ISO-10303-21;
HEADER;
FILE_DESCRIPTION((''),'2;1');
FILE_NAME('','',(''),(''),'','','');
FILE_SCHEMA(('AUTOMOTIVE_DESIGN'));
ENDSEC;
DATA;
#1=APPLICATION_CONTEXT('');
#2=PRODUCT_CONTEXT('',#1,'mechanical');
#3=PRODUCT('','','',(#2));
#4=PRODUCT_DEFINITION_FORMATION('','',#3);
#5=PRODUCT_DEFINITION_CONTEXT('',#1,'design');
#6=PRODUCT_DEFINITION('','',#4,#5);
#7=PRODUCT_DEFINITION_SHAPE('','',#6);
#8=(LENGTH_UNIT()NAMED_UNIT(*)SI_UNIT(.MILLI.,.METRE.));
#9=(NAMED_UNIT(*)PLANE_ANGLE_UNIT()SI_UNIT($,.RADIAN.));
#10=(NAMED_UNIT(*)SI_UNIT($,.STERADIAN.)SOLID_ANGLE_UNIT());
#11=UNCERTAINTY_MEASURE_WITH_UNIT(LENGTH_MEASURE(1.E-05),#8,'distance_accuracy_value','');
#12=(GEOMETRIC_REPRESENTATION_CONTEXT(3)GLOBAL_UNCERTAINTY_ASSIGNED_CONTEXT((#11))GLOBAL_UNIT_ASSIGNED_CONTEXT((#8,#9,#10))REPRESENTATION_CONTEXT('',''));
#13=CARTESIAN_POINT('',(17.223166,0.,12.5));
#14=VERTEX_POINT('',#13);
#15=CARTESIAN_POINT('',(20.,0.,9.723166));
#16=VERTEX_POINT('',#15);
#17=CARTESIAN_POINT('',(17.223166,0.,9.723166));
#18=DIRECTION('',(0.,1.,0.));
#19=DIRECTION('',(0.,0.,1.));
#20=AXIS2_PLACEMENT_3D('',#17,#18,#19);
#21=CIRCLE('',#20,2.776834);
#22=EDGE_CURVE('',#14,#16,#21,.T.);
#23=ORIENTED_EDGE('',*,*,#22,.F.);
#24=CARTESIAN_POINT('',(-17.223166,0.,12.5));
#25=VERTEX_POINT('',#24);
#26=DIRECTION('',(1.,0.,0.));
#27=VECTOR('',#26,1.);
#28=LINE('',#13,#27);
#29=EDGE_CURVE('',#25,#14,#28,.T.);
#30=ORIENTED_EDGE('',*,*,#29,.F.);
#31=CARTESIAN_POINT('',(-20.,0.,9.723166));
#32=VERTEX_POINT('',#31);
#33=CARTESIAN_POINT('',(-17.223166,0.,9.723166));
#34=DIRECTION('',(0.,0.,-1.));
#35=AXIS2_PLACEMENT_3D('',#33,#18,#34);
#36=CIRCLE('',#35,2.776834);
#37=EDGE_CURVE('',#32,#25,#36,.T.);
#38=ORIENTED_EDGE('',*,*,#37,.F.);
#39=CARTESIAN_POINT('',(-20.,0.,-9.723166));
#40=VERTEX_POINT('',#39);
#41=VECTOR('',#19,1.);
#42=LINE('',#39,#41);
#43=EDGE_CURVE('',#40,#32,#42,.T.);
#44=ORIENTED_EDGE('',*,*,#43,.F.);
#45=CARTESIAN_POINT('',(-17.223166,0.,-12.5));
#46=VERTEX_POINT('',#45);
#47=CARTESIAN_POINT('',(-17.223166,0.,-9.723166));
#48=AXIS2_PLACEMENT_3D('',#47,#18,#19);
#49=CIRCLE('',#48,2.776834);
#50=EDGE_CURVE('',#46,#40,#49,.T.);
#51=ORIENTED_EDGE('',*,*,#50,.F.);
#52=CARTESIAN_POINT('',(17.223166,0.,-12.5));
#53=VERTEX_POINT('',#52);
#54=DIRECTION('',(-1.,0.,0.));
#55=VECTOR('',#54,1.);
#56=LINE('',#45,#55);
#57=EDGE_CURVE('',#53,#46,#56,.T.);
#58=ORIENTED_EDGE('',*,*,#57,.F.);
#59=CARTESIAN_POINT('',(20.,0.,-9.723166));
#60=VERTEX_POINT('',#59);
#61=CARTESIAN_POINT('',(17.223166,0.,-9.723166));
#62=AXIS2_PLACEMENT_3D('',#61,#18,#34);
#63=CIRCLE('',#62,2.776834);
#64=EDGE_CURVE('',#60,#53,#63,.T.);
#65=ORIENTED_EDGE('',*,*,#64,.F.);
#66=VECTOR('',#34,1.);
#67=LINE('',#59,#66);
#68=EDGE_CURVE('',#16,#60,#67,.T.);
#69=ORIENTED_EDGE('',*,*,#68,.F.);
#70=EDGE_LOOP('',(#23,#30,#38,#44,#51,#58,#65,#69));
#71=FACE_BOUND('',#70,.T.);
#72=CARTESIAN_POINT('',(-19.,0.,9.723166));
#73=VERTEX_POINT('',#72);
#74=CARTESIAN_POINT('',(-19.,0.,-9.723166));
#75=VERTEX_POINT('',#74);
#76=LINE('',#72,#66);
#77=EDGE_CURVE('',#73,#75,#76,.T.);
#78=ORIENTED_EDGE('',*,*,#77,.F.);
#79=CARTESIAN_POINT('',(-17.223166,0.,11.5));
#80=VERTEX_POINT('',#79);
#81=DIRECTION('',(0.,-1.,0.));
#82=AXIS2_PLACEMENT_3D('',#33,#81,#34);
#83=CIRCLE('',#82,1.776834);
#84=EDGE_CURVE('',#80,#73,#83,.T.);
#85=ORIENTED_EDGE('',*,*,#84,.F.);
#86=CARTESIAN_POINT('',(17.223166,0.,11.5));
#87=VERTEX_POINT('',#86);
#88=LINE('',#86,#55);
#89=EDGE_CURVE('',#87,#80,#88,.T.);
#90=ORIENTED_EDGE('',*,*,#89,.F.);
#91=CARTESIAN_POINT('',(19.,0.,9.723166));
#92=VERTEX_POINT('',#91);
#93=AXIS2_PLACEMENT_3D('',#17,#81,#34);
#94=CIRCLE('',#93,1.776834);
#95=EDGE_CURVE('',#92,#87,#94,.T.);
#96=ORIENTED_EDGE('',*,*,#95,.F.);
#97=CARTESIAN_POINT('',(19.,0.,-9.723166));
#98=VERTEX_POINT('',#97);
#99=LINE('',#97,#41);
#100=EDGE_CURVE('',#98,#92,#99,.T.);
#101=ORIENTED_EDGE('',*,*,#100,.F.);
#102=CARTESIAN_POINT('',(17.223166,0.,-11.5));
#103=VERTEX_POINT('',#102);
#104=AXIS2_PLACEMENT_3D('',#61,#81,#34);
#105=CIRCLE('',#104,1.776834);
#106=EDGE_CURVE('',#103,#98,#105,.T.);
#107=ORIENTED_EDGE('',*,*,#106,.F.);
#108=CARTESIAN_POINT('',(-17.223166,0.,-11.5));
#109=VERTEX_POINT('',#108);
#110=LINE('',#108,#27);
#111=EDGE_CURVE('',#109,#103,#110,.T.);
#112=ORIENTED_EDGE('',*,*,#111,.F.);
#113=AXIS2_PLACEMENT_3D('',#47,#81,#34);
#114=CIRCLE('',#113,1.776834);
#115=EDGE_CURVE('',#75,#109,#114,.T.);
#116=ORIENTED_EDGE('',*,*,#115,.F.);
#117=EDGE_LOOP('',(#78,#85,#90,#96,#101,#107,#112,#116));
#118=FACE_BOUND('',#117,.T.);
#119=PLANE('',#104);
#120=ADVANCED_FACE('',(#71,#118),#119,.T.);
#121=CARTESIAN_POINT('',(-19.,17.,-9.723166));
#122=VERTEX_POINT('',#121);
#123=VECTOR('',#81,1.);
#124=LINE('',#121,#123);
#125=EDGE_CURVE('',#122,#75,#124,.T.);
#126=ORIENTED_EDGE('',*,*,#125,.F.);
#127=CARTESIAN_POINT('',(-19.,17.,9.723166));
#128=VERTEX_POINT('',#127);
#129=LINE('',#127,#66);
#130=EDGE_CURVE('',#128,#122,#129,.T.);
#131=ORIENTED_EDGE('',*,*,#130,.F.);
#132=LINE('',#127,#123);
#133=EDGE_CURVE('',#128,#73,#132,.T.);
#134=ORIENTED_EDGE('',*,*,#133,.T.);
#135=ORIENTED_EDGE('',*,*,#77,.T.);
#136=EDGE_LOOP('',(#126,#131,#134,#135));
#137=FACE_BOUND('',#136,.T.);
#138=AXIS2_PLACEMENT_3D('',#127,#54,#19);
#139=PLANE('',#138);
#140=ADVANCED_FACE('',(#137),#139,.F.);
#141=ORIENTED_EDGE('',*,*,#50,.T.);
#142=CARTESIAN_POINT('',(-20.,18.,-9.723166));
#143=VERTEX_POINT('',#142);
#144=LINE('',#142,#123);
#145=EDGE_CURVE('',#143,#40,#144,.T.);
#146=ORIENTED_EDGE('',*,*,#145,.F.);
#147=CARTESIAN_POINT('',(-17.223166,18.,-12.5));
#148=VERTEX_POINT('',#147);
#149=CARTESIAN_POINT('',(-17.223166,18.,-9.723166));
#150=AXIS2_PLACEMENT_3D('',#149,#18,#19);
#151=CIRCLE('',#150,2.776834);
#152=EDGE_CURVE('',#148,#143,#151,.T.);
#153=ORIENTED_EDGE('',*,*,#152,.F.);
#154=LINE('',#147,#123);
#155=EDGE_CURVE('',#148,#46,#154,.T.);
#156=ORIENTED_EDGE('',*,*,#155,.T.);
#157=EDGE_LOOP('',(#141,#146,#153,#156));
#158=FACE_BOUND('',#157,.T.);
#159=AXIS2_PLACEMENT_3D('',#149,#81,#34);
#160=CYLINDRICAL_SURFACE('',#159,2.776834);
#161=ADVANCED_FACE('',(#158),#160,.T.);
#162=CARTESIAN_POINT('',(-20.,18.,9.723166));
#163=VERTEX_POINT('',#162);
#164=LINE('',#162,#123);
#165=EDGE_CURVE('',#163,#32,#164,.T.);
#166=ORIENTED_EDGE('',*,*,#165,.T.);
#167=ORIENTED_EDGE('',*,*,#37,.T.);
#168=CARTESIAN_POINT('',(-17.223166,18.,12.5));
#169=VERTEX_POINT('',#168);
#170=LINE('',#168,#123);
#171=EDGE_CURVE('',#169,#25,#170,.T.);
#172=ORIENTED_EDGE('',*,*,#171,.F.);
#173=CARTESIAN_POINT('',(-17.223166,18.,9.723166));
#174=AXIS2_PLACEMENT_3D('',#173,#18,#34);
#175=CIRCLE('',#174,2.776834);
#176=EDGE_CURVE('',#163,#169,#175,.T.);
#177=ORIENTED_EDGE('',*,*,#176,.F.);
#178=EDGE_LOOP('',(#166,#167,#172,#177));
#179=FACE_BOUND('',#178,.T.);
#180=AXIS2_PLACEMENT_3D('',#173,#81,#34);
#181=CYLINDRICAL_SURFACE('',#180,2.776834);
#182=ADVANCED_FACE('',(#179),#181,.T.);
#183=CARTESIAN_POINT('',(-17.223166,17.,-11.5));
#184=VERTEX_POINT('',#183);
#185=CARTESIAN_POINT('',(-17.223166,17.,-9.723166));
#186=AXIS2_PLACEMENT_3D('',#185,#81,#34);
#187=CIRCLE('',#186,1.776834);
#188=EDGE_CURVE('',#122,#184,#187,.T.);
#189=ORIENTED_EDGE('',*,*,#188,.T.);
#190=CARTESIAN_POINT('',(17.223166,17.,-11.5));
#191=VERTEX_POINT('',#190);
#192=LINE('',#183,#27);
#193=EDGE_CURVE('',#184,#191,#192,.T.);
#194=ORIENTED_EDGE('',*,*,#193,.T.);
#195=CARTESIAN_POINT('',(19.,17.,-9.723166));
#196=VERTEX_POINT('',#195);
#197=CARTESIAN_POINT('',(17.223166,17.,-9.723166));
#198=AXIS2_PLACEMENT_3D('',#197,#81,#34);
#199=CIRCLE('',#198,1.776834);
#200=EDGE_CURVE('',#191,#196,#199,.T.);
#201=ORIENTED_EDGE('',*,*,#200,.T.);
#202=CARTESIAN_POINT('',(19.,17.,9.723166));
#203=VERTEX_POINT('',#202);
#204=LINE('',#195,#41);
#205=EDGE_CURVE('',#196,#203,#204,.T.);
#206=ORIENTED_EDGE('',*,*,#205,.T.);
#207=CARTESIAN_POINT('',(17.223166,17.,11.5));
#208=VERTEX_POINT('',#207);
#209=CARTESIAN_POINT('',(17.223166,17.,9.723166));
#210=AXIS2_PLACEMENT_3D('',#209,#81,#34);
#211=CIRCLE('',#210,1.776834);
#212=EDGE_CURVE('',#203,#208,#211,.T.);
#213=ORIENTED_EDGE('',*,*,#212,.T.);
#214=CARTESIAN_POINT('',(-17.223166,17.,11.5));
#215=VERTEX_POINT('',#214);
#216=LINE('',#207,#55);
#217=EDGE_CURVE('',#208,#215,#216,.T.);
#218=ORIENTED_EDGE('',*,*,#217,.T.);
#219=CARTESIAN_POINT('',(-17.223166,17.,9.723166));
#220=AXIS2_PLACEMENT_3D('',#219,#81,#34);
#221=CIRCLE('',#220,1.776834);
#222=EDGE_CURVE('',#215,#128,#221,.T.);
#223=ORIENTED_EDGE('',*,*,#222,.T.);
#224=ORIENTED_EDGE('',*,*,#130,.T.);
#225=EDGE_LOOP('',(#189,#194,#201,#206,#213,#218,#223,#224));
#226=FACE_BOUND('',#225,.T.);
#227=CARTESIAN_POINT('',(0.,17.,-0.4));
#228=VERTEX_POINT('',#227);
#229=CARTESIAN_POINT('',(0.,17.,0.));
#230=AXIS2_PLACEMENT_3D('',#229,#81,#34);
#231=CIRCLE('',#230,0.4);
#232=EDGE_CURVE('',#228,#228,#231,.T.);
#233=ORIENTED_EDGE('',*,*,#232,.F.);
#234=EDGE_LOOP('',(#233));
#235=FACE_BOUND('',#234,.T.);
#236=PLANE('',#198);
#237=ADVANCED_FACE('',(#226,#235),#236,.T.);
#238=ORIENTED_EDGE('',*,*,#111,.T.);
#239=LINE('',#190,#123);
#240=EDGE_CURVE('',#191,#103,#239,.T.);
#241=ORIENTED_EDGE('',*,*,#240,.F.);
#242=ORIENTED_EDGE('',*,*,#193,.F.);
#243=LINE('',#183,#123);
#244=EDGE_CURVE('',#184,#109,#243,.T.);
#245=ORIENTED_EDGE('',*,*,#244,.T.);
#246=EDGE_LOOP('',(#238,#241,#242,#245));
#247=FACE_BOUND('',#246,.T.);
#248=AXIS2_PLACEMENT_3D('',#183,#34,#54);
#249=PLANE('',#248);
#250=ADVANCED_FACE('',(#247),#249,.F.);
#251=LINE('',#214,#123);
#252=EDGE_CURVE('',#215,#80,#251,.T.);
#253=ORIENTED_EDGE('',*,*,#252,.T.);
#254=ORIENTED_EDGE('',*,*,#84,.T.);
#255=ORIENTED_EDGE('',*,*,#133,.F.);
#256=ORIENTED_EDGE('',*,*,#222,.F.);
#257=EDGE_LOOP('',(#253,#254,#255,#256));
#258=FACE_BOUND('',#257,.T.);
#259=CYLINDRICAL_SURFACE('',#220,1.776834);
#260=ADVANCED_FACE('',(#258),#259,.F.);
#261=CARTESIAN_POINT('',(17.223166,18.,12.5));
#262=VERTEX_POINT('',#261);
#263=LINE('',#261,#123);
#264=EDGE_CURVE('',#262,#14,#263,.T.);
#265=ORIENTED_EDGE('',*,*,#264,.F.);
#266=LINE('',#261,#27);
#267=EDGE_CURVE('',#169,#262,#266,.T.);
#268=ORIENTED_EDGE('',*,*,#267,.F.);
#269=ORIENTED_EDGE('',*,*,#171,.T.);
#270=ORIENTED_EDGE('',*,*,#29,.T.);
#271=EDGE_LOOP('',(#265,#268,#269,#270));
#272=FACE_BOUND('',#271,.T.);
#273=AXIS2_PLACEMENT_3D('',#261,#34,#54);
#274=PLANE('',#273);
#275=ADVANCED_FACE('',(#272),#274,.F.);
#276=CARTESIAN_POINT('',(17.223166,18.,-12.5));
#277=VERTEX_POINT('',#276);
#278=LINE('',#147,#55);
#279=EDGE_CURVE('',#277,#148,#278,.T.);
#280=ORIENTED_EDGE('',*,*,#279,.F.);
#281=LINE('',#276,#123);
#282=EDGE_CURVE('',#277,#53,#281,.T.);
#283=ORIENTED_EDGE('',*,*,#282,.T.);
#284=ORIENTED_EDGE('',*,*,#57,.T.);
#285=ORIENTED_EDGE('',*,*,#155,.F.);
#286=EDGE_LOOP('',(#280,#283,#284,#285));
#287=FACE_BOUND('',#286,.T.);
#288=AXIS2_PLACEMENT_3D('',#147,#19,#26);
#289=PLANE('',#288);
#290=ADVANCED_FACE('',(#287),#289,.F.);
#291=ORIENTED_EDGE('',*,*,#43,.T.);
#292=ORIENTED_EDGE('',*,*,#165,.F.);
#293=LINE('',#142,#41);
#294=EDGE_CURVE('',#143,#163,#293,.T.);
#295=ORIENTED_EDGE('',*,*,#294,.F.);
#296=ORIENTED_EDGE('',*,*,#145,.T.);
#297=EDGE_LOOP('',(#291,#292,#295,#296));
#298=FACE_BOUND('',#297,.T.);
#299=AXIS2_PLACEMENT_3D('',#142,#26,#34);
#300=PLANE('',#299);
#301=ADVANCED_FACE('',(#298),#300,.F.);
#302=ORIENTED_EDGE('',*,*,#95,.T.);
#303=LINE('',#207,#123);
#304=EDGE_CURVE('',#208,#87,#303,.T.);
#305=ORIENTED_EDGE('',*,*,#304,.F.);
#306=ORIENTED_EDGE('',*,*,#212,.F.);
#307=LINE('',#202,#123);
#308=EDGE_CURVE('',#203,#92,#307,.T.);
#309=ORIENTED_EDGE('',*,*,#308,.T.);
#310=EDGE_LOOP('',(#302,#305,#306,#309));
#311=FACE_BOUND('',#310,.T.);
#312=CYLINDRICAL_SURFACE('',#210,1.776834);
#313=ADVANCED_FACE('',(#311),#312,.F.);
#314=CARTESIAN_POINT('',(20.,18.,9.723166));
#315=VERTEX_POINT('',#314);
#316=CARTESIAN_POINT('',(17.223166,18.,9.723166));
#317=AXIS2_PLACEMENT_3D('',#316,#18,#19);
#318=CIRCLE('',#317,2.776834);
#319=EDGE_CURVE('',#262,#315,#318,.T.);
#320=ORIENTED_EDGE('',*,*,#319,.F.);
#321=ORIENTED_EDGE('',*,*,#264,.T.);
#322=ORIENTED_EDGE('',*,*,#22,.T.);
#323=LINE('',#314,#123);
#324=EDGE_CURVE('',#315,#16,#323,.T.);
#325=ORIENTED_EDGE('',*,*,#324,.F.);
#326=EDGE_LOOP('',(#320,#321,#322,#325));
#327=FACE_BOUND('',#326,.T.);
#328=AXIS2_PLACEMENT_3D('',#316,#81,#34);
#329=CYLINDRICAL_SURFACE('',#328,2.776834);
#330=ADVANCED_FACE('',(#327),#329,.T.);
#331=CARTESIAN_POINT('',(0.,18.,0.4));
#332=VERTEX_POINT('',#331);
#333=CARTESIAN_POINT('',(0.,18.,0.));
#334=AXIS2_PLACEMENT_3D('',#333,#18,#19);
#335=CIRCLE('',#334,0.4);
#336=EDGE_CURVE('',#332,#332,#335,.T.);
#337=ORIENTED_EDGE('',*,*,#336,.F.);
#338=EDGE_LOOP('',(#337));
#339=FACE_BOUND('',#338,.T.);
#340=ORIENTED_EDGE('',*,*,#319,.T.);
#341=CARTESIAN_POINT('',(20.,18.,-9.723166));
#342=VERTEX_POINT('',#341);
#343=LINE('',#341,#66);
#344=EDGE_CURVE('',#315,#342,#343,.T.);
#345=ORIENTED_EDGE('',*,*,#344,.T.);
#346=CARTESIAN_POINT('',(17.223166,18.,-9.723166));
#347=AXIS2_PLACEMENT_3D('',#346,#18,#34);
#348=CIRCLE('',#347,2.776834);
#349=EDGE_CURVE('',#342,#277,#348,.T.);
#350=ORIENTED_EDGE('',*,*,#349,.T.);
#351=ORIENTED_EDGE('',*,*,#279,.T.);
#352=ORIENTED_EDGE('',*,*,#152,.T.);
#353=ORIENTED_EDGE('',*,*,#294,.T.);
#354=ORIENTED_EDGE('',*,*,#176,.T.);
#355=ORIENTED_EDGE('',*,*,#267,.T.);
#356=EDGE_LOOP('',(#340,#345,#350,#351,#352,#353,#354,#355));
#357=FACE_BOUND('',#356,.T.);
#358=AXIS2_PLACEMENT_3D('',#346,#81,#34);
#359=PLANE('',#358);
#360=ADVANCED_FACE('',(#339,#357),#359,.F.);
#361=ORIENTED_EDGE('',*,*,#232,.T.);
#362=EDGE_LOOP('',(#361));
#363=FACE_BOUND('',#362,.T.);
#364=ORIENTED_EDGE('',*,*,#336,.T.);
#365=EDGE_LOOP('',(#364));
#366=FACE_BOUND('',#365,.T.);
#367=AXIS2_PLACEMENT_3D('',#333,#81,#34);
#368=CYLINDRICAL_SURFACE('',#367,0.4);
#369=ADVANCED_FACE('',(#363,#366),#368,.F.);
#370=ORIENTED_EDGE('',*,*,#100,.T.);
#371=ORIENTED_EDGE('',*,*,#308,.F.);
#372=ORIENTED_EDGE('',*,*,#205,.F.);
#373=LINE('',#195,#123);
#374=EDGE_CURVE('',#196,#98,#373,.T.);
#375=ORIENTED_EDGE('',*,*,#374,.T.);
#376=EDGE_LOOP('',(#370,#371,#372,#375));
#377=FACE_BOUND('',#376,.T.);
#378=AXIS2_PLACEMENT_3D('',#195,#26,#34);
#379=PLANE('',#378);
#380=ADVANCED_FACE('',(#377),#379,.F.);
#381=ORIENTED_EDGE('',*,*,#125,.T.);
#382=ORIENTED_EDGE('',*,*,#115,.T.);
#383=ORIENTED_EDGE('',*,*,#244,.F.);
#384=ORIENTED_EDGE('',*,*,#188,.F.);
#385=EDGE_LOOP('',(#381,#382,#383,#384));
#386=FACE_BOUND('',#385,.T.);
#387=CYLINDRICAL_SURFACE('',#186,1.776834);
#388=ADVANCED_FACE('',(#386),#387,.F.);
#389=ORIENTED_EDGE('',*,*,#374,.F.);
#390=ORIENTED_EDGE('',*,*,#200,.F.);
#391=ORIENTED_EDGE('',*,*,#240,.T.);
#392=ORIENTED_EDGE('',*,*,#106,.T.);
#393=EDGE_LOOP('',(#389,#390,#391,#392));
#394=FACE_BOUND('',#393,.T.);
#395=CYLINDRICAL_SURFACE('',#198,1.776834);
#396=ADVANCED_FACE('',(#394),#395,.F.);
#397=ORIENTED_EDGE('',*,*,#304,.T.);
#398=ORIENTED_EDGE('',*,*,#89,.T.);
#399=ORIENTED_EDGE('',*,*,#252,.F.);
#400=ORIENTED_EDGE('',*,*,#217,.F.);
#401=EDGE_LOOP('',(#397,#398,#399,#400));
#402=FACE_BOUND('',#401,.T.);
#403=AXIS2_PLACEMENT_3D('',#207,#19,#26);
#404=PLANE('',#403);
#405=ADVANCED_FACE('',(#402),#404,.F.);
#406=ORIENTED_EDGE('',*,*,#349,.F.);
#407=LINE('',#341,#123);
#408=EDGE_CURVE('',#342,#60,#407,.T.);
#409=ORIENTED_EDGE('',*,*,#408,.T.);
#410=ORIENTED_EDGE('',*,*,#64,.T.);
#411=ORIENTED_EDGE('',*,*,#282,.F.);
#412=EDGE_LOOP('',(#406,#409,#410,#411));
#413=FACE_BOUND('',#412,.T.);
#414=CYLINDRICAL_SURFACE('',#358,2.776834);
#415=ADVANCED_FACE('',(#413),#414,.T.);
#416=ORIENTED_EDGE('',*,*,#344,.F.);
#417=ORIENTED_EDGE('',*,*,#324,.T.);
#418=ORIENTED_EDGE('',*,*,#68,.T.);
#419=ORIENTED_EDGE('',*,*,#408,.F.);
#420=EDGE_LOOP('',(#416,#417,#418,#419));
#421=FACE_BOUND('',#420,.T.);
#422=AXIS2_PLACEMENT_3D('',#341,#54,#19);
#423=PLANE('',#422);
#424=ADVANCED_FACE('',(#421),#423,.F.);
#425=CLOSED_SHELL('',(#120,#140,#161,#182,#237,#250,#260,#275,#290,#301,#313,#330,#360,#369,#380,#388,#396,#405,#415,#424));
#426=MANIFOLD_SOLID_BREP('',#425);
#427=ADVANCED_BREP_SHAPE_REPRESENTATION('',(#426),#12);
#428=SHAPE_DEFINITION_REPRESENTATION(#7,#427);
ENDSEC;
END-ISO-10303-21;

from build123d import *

# Parameters (mm, degrees)
SKETCH2_R           = 0.4
BOSS_EXTRUDE1_DEPTH = 18
CUT_EXTRUDE1_DEPTH  = 17


with BuildPart() as part:
    # Sketch2 → Boss-Extrude1 (new body)
    with BuildSketch(Plane(origin=(0, 0, 0), x_dir=(1, 0, 0), z_dir=(0, 1, 0))):
        with BuildLine():
            Line((-20, 9.723165676), (-20, -9.723165676))
            ThreePointArc((-20, -9.723165676), (-19.186684057, -11.686684057), (-17.223165676, -12.5))
            Line((-17.223165676, -12.5), (17.223165676, -12.5))
            ThreePointArc((17.223165676, -12.5), (19.186684057, -11.686684057), (20, -9.723165676))
            Line((20, -9.723165676), (20, 9.723165676))
            ThreePointArc((20, 9.723165676), (19.186684057, 11.686684057), (17.223165676, 12.5))
            Line((17.223165676, 12.5), (-17.223165676, 12.5))
            ThreePointArc((-17.223165676, 12.5), (-19.186684057, 11.686684057), (-20, 9.723165676))
        make_face()
        with Locations(Location((0, 0, 0), (0, 0, 270))):
            Circle(SKETCH2_R, mode=Mode.SUBTRACT)
    extrude(amount=BOSS_EXTRUDE1_DEPTH)

    # Sketch3 → Cut-Extrude1 (cut)
    with BuildSketch(Plane.XZ):
        with BuildLine():
            Line((19, -9.723165676), (19, 9.723165676))
            ThreePointArc((19, 9.723165676), (18.479577276, 10.979577276), (17.223165676, 11.5))
            Line((17.223165676, 11.5), (-17.223165676, 11.5))
            ThreePointArc((-17.223165676, 11.5), (-18.479577276, 10.979577276), (-19, 9.723165676))
            Line((-19, 9.723165676), (-19, -9.723165676))
            ThreePointArc((-19, -9.723165676), (-18.479577276, -10.979577276), (-17.223165676, -11.5))
            Line((-17.223165676, -11.5), (17.223165676, -11.5))
            ThreePointArc((17.223165676, -11.5), (18.479577276, -10.979577276), (19, -9.723165676))
        make_face()
    extrude(amount=-CUT_EXTRUDE1_DEPTH, mode=Mode.SUBTRACT)


solid = part.part
